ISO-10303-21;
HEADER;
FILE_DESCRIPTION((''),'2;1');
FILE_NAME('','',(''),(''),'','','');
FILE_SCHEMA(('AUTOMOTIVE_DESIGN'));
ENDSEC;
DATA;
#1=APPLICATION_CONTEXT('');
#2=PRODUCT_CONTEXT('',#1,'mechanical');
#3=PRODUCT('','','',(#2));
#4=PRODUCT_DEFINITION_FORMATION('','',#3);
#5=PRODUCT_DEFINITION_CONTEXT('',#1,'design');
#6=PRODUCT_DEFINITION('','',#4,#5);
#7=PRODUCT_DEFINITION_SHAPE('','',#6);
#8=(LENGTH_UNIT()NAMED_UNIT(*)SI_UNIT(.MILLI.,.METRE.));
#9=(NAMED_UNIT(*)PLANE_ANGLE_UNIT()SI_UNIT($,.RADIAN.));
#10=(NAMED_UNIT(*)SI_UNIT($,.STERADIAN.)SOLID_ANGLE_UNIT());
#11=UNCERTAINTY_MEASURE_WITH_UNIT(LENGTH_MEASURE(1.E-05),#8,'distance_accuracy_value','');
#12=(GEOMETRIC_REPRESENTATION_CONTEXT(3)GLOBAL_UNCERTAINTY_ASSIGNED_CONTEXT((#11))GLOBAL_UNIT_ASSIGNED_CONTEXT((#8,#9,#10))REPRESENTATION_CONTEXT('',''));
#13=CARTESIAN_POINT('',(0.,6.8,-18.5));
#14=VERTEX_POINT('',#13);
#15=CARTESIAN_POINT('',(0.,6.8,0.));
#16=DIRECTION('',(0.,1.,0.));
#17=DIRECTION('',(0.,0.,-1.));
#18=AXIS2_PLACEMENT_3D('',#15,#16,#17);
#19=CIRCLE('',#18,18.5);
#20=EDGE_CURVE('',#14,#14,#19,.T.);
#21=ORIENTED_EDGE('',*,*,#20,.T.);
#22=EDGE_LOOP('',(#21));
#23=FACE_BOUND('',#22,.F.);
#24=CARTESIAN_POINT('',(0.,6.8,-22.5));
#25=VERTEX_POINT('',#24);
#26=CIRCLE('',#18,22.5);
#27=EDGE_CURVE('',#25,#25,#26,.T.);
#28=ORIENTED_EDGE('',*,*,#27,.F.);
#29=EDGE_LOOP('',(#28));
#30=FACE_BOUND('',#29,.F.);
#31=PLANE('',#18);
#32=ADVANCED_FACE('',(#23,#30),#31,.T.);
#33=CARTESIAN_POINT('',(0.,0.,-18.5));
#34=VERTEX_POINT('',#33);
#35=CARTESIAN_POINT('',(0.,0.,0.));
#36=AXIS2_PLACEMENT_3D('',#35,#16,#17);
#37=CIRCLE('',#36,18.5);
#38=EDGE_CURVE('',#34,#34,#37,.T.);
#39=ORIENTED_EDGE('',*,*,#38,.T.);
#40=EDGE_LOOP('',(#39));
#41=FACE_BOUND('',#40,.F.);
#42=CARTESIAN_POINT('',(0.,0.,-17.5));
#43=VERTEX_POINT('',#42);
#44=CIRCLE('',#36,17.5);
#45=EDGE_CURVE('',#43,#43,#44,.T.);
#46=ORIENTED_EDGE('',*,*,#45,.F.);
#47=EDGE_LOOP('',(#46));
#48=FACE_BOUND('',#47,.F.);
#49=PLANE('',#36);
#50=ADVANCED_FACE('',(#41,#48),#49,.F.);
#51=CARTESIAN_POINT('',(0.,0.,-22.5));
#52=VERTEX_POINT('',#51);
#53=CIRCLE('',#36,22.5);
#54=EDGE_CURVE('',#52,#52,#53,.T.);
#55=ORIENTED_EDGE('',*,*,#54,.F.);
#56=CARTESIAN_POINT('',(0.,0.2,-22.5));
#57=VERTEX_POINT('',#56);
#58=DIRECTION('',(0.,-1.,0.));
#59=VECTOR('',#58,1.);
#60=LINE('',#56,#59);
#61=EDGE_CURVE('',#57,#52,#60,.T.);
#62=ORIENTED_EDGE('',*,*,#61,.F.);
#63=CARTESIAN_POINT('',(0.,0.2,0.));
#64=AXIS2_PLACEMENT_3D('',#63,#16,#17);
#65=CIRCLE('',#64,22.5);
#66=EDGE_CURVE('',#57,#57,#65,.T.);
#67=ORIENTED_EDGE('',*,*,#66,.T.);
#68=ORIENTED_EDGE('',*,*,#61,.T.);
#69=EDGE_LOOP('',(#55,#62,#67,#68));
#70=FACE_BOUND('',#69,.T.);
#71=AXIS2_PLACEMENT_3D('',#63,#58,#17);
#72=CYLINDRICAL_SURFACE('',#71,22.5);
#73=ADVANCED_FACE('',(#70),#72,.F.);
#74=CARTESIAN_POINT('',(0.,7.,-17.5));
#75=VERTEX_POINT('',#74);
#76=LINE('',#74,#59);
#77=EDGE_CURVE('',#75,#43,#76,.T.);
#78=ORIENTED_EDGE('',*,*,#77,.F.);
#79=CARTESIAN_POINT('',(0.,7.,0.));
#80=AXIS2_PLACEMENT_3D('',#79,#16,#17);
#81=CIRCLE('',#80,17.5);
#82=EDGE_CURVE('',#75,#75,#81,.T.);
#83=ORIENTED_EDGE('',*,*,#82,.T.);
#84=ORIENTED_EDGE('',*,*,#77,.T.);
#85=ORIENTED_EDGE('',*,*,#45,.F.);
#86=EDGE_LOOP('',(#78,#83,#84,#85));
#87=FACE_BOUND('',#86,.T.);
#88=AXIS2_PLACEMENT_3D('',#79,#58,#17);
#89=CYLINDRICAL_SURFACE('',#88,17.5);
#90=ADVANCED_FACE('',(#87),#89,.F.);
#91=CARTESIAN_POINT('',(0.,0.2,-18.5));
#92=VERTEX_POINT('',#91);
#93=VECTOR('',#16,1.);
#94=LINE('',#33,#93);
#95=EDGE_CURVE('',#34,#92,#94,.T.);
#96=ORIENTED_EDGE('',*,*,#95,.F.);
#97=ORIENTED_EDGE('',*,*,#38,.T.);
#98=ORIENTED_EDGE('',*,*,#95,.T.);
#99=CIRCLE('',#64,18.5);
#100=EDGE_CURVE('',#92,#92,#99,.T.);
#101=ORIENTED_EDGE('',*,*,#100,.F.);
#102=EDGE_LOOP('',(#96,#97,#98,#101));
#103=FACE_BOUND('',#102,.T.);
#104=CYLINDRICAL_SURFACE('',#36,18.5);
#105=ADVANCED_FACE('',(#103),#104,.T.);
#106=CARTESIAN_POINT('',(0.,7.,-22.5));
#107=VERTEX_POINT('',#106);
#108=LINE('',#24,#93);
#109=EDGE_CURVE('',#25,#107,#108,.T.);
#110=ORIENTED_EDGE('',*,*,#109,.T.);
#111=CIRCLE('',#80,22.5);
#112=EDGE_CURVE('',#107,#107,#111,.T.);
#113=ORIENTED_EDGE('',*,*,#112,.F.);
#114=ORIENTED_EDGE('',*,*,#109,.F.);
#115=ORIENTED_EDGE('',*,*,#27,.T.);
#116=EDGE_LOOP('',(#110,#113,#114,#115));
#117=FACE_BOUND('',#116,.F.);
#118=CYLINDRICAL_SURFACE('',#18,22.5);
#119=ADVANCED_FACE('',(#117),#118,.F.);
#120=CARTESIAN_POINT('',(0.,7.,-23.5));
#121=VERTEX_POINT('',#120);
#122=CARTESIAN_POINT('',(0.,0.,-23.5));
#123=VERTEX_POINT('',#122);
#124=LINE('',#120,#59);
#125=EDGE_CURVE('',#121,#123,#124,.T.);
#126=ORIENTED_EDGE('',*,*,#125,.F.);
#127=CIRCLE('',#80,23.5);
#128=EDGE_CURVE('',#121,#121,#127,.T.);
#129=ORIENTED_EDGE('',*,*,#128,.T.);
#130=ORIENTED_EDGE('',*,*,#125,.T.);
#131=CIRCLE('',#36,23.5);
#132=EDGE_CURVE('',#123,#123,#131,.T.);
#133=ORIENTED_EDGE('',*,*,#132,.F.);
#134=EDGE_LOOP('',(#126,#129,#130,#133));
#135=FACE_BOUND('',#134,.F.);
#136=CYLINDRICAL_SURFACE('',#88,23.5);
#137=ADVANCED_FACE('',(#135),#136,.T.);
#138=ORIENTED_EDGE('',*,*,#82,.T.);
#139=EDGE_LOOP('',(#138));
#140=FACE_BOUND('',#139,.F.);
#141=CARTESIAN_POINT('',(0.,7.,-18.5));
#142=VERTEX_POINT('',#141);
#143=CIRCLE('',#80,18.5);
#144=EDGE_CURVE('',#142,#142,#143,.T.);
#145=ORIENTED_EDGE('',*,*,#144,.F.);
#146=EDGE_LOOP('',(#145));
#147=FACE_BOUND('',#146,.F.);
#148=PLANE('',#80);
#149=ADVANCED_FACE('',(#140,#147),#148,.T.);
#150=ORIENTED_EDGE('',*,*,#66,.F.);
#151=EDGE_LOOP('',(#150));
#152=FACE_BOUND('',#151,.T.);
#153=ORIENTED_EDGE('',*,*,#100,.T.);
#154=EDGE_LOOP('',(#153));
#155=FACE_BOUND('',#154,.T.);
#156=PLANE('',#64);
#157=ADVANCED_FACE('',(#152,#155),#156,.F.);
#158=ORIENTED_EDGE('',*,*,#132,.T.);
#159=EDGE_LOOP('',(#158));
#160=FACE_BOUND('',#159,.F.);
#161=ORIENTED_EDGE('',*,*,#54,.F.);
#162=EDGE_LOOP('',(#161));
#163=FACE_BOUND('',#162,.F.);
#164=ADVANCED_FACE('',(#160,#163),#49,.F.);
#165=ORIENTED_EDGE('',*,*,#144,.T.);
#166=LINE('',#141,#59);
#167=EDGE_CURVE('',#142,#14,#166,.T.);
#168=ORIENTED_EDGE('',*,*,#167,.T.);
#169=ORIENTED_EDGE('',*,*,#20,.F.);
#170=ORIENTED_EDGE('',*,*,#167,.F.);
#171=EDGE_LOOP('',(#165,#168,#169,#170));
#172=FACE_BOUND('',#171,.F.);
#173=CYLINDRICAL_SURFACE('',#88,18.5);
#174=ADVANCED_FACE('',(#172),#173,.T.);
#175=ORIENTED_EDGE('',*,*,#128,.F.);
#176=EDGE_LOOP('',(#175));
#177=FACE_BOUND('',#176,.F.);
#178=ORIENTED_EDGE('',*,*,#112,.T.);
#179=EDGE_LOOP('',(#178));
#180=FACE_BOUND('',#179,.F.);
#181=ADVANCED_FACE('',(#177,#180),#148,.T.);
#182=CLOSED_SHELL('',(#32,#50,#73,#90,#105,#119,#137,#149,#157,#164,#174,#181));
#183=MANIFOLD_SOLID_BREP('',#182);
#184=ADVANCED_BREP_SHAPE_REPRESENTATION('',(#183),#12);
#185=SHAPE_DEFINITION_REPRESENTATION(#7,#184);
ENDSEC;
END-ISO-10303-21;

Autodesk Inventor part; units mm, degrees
ref_plane "YZ Plane" through (0, 0, 0) normal (1, 0, 0) x (0, 1, 0)
ref_plane "XZ Plane" through (0, 0, 0) normal (0, 1, 0) x (-1, 0, 0)
ref_plane "XY Plane" through (0, 0, 0) normal (0, 0, 1) x (1, 0, 0)
sketch "Sketch1" plane through (0, 0, 0) normal (1, 0, 0) x (0, 1, 0)
  line L0 (0, 0) -> (7, 0) construction
  line L1 (7, 0) -> (7, -17.5) construction
  line L2 (7, -17.5) -> (0, -17.5)
  line L3 (0, -17.5) -> (0, 0) construction
  line L4 (7, -23.5) -> (0, -23.5)
  line L5 (7, -18.5) -> (6.8, -18.5)
  line L6 (6.8, -18.5) -> (6.8, -22.5)
  line L7 (6.8, -22.5) -> (7, -22.5)
  line L8 (0, -18.5) -> (0.2, -18.5)
  line L9 (0.2, -18.5) -> (0.2, -22.5)
  line L10 (0.2, -22.5) -> (0, -22.5)
  line L11 (7, -17.5) -> (7, -18.5)
  line L12 (7, -22.5) -> (7, -23.5)
  line L13 (0, -23.5) -> (0, -22.5)
  line L14 (0, -18.5) -> (0, -17.5)
  dimension "d0" = 17.5
  dimension "d2" = 7
  dimension "d5" = 23.5
  dimension "d6" = 0.2
  dimension "d7" = 1
revolve "Revolution1" add sketch "Sketch1" angle 360 about axis through (0, 0, 0) along (0, 1, 0)
properties part number "6807 bearing"
